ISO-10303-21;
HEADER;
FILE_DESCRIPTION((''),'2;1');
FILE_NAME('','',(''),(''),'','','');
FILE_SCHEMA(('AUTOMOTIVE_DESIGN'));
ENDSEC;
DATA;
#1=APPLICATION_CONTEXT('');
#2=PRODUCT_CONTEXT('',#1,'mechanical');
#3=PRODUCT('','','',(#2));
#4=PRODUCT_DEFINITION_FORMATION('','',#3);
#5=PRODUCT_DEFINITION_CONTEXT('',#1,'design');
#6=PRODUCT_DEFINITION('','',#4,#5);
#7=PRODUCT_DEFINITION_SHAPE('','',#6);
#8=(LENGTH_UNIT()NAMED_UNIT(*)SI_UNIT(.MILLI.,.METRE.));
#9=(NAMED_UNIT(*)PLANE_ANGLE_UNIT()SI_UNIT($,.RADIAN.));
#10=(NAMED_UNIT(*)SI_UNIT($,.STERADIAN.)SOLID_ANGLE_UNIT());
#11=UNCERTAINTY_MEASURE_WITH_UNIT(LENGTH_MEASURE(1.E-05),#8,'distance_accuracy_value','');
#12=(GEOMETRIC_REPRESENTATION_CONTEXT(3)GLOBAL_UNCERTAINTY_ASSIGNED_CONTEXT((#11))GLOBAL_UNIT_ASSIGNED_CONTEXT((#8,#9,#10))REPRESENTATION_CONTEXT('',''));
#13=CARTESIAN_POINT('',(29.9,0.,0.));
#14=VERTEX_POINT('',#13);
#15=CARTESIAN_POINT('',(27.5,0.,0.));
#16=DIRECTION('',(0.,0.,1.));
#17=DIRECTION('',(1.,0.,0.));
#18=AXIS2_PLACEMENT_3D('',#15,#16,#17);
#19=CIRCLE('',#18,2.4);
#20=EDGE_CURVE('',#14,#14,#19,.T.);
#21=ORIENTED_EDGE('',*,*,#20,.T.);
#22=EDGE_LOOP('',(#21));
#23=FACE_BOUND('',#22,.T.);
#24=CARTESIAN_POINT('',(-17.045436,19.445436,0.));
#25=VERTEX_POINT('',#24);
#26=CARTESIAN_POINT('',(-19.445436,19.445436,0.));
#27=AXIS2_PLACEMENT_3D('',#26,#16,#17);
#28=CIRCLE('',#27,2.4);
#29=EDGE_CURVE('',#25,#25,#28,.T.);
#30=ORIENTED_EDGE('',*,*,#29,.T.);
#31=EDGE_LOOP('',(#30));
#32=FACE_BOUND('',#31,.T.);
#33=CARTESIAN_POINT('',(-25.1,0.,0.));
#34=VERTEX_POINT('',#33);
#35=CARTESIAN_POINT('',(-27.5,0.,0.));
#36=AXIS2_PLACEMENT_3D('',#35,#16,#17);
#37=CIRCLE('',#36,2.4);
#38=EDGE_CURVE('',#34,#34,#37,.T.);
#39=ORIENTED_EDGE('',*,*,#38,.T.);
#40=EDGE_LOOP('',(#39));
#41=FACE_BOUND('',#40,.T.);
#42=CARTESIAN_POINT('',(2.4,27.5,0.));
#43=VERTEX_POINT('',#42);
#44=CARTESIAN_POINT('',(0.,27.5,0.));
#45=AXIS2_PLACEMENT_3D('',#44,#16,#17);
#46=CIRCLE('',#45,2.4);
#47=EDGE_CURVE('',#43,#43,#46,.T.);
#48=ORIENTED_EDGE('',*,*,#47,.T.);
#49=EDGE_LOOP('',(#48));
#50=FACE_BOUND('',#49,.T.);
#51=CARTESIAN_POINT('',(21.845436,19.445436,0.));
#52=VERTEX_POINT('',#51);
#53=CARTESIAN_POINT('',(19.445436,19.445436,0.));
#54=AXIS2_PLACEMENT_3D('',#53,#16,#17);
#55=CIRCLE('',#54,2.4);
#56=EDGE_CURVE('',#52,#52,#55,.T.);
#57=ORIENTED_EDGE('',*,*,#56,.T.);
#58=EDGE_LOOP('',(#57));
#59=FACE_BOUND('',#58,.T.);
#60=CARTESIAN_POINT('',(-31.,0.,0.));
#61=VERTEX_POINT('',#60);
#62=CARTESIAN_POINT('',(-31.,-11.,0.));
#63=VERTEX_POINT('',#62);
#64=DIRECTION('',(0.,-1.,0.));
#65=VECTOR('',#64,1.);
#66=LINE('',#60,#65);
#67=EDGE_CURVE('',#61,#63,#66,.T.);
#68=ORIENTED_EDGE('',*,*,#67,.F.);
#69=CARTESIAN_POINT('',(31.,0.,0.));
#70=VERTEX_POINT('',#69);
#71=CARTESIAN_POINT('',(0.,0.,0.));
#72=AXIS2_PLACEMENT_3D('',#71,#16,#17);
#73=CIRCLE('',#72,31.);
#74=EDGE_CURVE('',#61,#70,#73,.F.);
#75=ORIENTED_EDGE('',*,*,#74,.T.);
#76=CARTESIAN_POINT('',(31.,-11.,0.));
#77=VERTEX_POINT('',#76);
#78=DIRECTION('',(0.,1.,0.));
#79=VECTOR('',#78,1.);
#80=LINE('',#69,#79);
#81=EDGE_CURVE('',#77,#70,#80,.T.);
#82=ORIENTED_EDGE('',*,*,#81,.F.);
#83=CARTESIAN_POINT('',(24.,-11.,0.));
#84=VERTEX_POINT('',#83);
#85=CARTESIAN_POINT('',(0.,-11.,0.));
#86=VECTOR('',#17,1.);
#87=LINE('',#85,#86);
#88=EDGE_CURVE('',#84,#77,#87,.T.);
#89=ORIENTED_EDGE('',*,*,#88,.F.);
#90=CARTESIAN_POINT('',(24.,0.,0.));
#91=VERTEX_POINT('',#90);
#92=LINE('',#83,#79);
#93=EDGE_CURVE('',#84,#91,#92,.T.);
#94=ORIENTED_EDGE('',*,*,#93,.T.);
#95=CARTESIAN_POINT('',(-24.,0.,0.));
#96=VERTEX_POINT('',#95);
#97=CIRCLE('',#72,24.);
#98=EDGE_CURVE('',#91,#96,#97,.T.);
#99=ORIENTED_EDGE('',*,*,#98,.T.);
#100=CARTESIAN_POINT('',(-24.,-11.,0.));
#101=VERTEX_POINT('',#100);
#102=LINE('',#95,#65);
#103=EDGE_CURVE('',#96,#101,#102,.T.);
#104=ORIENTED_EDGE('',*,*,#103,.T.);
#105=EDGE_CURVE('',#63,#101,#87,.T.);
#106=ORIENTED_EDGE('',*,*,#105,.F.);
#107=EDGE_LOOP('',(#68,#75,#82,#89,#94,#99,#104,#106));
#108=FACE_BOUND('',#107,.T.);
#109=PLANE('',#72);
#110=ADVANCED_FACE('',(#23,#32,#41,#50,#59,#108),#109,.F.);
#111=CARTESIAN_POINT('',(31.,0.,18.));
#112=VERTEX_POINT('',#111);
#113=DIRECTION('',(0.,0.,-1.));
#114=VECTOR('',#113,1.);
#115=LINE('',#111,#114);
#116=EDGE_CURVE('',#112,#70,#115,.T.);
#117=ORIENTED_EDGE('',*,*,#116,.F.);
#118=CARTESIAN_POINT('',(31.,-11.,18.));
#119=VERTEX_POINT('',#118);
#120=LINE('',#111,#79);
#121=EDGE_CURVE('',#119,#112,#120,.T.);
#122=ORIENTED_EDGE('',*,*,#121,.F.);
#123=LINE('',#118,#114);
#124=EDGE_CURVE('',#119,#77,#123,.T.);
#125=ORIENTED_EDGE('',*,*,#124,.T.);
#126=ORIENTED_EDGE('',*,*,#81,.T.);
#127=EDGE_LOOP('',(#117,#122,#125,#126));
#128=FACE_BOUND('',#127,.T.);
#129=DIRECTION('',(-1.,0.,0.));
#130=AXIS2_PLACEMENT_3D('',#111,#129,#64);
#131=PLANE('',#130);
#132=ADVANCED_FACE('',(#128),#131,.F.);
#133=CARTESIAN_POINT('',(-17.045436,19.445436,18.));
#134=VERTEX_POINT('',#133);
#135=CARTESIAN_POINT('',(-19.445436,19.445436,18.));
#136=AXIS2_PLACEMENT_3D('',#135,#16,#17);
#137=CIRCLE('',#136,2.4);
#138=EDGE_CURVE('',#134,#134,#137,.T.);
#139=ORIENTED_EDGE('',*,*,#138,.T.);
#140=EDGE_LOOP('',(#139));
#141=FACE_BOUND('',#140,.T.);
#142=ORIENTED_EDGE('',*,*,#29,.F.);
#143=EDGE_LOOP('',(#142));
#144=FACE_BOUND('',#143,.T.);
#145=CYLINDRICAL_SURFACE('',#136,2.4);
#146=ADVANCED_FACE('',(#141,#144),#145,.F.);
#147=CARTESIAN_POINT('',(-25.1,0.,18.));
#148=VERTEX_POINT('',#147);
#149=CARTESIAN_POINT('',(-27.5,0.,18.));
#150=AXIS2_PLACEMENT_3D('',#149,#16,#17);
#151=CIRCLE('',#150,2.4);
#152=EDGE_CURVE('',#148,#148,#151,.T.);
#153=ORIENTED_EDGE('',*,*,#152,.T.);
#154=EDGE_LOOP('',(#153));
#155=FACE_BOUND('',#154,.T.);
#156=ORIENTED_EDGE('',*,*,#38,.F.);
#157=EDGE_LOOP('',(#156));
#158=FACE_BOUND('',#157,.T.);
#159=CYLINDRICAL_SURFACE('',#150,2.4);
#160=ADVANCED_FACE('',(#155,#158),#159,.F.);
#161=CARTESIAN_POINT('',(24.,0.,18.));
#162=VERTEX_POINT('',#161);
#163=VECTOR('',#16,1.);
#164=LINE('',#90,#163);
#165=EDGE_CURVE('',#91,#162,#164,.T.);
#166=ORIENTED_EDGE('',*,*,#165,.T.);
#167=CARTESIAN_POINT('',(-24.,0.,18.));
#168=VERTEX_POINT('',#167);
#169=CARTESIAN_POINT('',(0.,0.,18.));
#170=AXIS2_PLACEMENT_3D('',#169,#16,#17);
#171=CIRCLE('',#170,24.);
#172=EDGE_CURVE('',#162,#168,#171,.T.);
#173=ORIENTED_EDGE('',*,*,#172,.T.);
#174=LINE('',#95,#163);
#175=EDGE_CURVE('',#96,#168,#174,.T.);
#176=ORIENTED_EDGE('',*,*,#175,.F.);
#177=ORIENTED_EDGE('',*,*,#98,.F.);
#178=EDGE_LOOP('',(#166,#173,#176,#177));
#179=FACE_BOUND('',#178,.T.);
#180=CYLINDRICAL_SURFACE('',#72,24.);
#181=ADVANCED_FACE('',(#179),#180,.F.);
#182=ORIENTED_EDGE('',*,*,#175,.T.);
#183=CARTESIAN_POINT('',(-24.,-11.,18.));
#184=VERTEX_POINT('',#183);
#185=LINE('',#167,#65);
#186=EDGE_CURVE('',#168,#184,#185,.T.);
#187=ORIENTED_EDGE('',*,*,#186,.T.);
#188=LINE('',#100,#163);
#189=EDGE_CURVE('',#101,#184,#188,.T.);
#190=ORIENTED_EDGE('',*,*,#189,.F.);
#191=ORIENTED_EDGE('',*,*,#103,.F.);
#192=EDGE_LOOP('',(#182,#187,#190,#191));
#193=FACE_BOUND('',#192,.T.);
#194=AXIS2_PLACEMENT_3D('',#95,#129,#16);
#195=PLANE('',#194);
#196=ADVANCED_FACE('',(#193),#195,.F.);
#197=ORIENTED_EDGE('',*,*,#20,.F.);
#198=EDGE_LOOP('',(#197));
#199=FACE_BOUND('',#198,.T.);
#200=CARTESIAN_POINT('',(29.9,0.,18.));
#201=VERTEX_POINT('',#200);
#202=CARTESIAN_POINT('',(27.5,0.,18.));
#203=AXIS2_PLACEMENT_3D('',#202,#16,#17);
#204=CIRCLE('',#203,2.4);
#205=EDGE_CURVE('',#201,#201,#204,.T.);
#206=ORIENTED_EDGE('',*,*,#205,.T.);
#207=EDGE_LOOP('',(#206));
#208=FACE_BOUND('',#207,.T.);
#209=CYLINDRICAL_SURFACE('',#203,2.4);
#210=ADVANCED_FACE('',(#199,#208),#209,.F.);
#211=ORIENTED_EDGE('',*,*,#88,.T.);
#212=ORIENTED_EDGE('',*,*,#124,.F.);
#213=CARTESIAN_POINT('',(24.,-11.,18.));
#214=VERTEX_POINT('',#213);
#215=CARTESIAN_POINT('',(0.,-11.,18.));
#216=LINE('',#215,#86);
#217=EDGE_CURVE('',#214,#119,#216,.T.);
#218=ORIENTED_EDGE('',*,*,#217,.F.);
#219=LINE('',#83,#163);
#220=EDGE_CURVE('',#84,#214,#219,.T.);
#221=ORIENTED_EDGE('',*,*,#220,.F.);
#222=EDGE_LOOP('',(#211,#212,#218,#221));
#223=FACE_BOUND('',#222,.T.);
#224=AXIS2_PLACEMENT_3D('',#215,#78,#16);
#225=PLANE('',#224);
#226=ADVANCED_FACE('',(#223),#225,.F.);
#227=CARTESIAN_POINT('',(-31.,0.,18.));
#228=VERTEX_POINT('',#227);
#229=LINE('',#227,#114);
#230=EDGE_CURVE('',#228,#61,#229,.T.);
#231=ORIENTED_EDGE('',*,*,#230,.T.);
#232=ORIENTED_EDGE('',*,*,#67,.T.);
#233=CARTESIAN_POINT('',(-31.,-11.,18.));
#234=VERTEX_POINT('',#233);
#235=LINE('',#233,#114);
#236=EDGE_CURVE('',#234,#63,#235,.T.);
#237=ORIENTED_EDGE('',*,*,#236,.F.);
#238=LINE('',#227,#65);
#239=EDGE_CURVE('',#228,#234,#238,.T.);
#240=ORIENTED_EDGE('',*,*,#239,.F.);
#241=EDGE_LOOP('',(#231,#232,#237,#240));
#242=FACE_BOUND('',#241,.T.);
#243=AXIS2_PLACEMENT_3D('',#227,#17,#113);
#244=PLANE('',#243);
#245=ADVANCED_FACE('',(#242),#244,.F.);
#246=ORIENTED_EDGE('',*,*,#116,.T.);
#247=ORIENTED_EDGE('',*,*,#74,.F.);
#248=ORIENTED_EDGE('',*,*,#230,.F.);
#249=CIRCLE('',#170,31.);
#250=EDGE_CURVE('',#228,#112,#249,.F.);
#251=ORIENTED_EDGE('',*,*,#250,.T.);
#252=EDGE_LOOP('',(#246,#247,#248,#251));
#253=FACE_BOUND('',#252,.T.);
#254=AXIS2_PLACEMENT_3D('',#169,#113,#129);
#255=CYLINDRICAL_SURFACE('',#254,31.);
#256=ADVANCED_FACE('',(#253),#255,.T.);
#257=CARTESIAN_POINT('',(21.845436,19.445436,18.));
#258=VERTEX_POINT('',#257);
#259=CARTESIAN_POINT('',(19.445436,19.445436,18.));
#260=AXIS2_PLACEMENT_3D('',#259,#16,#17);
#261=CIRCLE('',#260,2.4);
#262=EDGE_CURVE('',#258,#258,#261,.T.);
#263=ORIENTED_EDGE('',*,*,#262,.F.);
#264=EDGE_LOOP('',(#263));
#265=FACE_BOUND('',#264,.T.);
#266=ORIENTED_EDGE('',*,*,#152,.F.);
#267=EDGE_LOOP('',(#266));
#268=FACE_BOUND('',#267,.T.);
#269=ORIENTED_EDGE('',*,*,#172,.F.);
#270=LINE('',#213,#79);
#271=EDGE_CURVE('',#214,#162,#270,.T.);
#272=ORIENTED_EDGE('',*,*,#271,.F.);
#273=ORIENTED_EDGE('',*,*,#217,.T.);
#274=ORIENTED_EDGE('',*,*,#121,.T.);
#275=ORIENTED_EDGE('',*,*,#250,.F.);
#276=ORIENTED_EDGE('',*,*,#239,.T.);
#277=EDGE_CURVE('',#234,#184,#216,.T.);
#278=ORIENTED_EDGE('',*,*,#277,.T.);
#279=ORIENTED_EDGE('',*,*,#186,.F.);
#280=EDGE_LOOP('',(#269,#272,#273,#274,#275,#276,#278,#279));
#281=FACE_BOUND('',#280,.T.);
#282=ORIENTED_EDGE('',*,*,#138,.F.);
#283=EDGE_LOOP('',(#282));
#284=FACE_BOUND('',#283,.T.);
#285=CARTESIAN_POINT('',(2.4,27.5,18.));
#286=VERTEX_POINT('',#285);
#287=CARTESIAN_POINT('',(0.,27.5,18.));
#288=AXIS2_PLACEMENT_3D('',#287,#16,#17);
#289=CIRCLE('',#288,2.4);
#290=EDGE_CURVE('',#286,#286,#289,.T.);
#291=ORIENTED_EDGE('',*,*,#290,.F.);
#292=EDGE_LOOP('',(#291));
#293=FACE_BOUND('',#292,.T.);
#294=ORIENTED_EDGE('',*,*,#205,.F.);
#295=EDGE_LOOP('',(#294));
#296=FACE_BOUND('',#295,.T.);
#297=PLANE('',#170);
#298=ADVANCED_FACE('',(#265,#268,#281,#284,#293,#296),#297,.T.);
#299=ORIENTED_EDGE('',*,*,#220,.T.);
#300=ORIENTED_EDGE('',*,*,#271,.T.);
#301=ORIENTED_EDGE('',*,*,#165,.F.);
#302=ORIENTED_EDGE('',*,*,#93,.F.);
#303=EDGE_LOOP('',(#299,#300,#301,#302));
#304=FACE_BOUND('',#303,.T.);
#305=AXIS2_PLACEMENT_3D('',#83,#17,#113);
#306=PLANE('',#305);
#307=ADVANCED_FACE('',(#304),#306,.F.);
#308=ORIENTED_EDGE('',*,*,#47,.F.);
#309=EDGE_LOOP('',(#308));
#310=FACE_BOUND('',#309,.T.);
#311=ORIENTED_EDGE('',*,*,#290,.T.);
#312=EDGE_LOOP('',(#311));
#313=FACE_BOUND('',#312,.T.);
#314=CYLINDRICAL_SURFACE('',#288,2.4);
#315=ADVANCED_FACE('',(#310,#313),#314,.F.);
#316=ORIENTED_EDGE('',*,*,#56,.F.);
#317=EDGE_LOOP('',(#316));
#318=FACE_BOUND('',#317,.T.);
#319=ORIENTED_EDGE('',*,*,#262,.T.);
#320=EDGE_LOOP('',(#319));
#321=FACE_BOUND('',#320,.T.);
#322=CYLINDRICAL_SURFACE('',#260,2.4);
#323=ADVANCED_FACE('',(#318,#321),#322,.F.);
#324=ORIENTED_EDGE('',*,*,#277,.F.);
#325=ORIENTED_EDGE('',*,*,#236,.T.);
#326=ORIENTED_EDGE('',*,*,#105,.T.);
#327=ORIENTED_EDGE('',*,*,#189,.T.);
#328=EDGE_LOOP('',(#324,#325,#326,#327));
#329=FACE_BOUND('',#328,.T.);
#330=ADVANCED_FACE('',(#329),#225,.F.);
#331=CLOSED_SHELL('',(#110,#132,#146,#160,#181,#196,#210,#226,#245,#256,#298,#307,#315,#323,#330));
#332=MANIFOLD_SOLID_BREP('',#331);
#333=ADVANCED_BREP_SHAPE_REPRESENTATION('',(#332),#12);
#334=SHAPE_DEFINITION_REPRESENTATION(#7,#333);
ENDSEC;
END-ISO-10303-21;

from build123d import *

# Parameters (mm, degrees)
EXTRUDE_1_DEPTH          = 18
CUT_EXTRUDE_1_DEPTH      = 19
HOLE_WIZARD_M4_2_D       = 4.8
PATTERN_CIRCULAR_1_COUNT = 8


with BuildPart() as part:
    # ｽｹｯﾁ1 → ﾎﾞｽ - 押し出し1 (new body)
    with BuildSketch(Plane.XY):
        with BuildLine():
            ThreePointArc((-31, 0), (0, 31), (31, 0))
            Line((31, 0), (31, -11))
            Line((31, -11), (-31, -11))
            Line((-31, -11), (-31, 0))
        make_face()
    extrude(amount=EXTRUDE_1_DEPTH)

    # ｽｹｯﾁ2 → ｶｯﾄ - 押し出し1 (cut, through all)
    with BuildSketch(Plane.XY.offset(18)):
        with BuildLine():
            Line((-24, 0), (-24, -11))
            Line((-24, -11), (24, -11))
            Line((24, -11), (24, 0))
            ThreePointArc((24, 0), (0, 24), (-24, 0))
        make_face()
    extrude(amount=-CUT_EXTRUDE_1_DEPTH, mode=Mode.SUBTRACT)

    # M4 すきま穴2 (through all)
    with Locations(Plane.XY.offset(18)):
        with Locations((0, 27.5)):
            hole_wizard_m4_2 = Hole(HOLE_WIZARD_M4_2_D / 2)

    # 円形ﾊﾟﾀｰﾝ1: M4 すきま穴2 ×8 about axis, 3 skipped
    pattern_circular_1_axis = Axis((0, 0, 0), (0, 0, -1))
    add([hole_wizard_m4_2.rotate(pattern_circular_1_axis, i * 360 / PATTERN_CIRCULAR_1_COUNT) for i in range(1, PATTERN_CIRCULAR_1_COUNT) if i not in (3, 4, 5)], mode=Mode.SUBTRACT)


solid = part.part
